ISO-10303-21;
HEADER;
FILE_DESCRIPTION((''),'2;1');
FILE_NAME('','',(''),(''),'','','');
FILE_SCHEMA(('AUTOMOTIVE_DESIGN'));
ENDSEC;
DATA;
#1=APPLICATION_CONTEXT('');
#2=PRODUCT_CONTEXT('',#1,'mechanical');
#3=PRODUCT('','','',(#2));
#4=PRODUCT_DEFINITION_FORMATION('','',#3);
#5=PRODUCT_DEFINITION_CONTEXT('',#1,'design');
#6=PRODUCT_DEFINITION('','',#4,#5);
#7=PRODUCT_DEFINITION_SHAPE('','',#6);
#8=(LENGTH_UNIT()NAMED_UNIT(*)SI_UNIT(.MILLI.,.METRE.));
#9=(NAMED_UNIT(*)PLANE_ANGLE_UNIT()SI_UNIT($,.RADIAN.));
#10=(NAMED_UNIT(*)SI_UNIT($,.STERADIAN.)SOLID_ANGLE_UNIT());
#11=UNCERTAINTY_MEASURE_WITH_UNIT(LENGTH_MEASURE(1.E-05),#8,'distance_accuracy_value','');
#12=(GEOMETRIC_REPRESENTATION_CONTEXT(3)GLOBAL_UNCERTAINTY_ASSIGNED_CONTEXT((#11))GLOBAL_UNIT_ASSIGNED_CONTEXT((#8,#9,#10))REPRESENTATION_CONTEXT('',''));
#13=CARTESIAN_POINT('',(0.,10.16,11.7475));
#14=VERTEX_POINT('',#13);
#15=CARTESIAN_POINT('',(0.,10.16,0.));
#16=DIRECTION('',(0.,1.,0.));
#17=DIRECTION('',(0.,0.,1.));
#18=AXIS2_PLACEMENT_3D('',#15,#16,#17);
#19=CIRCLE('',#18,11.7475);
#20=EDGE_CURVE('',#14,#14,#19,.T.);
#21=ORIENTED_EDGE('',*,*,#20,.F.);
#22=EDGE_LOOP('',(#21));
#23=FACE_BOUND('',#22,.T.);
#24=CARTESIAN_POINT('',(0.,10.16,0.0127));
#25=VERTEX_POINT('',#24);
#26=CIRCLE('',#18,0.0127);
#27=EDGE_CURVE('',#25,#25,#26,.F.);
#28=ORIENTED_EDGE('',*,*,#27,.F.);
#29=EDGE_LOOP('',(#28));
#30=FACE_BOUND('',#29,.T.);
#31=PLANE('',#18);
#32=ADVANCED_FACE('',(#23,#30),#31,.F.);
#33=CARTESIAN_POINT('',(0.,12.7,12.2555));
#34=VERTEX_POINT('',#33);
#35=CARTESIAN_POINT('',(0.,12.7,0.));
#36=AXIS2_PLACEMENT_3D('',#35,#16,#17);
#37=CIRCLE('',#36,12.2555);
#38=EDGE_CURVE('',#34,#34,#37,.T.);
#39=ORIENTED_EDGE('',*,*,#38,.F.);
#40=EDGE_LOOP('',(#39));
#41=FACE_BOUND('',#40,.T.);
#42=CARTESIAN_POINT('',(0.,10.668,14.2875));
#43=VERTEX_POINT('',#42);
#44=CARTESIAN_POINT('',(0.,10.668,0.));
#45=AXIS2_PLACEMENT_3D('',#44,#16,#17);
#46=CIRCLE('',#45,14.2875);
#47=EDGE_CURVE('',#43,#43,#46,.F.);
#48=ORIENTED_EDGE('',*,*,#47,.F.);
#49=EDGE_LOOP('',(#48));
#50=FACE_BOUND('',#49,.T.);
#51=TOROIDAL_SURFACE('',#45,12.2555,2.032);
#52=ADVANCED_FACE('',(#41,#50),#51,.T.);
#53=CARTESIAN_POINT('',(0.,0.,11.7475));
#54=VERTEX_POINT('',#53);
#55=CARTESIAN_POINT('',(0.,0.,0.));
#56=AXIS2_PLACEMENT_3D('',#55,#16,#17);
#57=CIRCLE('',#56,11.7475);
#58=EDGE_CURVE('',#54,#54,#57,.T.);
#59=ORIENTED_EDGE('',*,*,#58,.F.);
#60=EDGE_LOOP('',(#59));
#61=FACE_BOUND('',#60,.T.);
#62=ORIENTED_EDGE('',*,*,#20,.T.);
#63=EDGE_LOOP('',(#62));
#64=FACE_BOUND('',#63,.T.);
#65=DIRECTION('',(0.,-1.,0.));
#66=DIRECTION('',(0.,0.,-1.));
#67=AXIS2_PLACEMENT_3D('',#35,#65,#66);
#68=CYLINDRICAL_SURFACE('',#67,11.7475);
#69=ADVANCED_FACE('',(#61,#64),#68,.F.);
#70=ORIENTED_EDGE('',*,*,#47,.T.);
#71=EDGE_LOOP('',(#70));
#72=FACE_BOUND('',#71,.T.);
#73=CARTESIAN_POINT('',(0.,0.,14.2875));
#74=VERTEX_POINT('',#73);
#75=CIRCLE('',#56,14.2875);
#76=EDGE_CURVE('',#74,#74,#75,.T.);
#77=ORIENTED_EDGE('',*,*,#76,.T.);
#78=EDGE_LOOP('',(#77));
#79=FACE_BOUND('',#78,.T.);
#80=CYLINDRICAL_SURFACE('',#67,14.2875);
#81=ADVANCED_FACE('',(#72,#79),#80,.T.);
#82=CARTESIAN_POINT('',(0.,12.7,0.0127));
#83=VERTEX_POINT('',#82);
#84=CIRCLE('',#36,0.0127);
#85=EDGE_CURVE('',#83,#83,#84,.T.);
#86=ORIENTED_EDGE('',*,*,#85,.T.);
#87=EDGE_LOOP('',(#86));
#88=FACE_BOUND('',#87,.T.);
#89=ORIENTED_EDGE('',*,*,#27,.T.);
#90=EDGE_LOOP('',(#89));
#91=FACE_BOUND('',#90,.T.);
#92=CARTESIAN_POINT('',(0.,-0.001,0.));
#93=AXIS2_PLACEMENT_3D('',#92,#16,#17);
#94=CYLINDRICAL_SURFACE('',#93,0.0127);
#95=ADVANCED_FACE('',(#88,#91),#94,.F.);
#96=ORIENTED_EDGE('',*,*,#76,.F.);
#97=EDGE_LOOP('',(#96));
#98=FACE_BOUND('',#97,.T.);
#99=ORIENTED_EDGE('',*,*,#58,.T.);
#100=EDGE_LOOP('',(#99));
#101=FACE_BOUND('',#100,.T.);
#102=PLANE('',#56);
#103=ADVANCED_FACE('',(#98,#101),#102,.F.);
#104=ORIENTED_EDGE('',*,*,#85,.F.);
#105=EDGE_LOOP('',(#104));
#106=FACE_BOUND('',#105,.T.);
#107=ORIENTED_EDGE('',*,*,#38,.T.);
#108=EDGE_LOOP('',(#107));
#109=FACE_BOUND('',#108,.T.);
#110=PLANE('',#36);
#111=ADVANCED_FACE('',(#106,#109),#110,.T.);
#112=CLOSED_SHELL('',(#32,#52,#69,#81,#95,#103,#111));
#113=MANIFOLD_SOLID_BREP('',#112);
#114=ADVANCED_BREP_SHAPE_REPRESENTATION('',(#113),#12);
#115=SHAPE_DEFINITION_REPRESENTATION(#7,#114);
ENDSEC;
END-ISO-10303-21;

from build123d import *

# Parameters (mm, degrees)
SKETCH1_R           = 14.2875
BOSS_EXTRUDE1_DEPTH = 12.7
FILLET1_R           = 2.032
SHELL1_T            = -2.54
CUT_EXTRUDE1_REACH  = 25.865
SKETCH2_R           = 0.0127


with BuildPart() as part:
    # Sketch1 → Boss-Extrude1 (new body)
    with BuildSketch(Plane(origin=(0, 0, 0), x_dir=(1, 0, 0), z_dir=(0, 1, 0))):
        with Locations(Location((0, 0, 0), (0, 0, 270))):
            Circle(SKETCH1_R)
    extrude(amount=BOSS_EXTRUDE1_DEPTH)

    # Fillet1
    fillet1_edges = [part.edges().sort_by_distance(p)[0] for p in [
        (0, 12.7, -14.2875),
    ]]
    fillet(fillet1_edges, radius=FILLET1_R)

    # Shell1
    shell1_openings = [part.faces().sort_by_distance(p)[0] for p in [
        (0, 0, 0),
    ]]
    offset(amount=SHELL1_T, openings=shell1_openings, kind=Kind.INTERSECTION)

    # Sketch2 → Cut-Extrude1 (cut, up to next)
    with BuildSketch(Plane(origin=(0, 12.7, 0), x_dir=(1, 0, 0), z_dir=(0, 1, 0)), mode=Mode.PRIVATE) as cut_extrude1_sk1:
        with Locations(Location((0, 0, 0), (0, 0, 270))):
            Circle(SKETCH2_R)
    cut_extrude1_tool1 = extrude(cut_extrude1_sk1.sketch, amount=-CUT_EXTRUDE1_REACH, mode=Mode.PRIVATE) & part.part
    add(cut_extrude1_tool1.solids().sort_by_distance((0, 12.7, 0))[0], mode=Mode.SUBTRACT)


solid = part.part
